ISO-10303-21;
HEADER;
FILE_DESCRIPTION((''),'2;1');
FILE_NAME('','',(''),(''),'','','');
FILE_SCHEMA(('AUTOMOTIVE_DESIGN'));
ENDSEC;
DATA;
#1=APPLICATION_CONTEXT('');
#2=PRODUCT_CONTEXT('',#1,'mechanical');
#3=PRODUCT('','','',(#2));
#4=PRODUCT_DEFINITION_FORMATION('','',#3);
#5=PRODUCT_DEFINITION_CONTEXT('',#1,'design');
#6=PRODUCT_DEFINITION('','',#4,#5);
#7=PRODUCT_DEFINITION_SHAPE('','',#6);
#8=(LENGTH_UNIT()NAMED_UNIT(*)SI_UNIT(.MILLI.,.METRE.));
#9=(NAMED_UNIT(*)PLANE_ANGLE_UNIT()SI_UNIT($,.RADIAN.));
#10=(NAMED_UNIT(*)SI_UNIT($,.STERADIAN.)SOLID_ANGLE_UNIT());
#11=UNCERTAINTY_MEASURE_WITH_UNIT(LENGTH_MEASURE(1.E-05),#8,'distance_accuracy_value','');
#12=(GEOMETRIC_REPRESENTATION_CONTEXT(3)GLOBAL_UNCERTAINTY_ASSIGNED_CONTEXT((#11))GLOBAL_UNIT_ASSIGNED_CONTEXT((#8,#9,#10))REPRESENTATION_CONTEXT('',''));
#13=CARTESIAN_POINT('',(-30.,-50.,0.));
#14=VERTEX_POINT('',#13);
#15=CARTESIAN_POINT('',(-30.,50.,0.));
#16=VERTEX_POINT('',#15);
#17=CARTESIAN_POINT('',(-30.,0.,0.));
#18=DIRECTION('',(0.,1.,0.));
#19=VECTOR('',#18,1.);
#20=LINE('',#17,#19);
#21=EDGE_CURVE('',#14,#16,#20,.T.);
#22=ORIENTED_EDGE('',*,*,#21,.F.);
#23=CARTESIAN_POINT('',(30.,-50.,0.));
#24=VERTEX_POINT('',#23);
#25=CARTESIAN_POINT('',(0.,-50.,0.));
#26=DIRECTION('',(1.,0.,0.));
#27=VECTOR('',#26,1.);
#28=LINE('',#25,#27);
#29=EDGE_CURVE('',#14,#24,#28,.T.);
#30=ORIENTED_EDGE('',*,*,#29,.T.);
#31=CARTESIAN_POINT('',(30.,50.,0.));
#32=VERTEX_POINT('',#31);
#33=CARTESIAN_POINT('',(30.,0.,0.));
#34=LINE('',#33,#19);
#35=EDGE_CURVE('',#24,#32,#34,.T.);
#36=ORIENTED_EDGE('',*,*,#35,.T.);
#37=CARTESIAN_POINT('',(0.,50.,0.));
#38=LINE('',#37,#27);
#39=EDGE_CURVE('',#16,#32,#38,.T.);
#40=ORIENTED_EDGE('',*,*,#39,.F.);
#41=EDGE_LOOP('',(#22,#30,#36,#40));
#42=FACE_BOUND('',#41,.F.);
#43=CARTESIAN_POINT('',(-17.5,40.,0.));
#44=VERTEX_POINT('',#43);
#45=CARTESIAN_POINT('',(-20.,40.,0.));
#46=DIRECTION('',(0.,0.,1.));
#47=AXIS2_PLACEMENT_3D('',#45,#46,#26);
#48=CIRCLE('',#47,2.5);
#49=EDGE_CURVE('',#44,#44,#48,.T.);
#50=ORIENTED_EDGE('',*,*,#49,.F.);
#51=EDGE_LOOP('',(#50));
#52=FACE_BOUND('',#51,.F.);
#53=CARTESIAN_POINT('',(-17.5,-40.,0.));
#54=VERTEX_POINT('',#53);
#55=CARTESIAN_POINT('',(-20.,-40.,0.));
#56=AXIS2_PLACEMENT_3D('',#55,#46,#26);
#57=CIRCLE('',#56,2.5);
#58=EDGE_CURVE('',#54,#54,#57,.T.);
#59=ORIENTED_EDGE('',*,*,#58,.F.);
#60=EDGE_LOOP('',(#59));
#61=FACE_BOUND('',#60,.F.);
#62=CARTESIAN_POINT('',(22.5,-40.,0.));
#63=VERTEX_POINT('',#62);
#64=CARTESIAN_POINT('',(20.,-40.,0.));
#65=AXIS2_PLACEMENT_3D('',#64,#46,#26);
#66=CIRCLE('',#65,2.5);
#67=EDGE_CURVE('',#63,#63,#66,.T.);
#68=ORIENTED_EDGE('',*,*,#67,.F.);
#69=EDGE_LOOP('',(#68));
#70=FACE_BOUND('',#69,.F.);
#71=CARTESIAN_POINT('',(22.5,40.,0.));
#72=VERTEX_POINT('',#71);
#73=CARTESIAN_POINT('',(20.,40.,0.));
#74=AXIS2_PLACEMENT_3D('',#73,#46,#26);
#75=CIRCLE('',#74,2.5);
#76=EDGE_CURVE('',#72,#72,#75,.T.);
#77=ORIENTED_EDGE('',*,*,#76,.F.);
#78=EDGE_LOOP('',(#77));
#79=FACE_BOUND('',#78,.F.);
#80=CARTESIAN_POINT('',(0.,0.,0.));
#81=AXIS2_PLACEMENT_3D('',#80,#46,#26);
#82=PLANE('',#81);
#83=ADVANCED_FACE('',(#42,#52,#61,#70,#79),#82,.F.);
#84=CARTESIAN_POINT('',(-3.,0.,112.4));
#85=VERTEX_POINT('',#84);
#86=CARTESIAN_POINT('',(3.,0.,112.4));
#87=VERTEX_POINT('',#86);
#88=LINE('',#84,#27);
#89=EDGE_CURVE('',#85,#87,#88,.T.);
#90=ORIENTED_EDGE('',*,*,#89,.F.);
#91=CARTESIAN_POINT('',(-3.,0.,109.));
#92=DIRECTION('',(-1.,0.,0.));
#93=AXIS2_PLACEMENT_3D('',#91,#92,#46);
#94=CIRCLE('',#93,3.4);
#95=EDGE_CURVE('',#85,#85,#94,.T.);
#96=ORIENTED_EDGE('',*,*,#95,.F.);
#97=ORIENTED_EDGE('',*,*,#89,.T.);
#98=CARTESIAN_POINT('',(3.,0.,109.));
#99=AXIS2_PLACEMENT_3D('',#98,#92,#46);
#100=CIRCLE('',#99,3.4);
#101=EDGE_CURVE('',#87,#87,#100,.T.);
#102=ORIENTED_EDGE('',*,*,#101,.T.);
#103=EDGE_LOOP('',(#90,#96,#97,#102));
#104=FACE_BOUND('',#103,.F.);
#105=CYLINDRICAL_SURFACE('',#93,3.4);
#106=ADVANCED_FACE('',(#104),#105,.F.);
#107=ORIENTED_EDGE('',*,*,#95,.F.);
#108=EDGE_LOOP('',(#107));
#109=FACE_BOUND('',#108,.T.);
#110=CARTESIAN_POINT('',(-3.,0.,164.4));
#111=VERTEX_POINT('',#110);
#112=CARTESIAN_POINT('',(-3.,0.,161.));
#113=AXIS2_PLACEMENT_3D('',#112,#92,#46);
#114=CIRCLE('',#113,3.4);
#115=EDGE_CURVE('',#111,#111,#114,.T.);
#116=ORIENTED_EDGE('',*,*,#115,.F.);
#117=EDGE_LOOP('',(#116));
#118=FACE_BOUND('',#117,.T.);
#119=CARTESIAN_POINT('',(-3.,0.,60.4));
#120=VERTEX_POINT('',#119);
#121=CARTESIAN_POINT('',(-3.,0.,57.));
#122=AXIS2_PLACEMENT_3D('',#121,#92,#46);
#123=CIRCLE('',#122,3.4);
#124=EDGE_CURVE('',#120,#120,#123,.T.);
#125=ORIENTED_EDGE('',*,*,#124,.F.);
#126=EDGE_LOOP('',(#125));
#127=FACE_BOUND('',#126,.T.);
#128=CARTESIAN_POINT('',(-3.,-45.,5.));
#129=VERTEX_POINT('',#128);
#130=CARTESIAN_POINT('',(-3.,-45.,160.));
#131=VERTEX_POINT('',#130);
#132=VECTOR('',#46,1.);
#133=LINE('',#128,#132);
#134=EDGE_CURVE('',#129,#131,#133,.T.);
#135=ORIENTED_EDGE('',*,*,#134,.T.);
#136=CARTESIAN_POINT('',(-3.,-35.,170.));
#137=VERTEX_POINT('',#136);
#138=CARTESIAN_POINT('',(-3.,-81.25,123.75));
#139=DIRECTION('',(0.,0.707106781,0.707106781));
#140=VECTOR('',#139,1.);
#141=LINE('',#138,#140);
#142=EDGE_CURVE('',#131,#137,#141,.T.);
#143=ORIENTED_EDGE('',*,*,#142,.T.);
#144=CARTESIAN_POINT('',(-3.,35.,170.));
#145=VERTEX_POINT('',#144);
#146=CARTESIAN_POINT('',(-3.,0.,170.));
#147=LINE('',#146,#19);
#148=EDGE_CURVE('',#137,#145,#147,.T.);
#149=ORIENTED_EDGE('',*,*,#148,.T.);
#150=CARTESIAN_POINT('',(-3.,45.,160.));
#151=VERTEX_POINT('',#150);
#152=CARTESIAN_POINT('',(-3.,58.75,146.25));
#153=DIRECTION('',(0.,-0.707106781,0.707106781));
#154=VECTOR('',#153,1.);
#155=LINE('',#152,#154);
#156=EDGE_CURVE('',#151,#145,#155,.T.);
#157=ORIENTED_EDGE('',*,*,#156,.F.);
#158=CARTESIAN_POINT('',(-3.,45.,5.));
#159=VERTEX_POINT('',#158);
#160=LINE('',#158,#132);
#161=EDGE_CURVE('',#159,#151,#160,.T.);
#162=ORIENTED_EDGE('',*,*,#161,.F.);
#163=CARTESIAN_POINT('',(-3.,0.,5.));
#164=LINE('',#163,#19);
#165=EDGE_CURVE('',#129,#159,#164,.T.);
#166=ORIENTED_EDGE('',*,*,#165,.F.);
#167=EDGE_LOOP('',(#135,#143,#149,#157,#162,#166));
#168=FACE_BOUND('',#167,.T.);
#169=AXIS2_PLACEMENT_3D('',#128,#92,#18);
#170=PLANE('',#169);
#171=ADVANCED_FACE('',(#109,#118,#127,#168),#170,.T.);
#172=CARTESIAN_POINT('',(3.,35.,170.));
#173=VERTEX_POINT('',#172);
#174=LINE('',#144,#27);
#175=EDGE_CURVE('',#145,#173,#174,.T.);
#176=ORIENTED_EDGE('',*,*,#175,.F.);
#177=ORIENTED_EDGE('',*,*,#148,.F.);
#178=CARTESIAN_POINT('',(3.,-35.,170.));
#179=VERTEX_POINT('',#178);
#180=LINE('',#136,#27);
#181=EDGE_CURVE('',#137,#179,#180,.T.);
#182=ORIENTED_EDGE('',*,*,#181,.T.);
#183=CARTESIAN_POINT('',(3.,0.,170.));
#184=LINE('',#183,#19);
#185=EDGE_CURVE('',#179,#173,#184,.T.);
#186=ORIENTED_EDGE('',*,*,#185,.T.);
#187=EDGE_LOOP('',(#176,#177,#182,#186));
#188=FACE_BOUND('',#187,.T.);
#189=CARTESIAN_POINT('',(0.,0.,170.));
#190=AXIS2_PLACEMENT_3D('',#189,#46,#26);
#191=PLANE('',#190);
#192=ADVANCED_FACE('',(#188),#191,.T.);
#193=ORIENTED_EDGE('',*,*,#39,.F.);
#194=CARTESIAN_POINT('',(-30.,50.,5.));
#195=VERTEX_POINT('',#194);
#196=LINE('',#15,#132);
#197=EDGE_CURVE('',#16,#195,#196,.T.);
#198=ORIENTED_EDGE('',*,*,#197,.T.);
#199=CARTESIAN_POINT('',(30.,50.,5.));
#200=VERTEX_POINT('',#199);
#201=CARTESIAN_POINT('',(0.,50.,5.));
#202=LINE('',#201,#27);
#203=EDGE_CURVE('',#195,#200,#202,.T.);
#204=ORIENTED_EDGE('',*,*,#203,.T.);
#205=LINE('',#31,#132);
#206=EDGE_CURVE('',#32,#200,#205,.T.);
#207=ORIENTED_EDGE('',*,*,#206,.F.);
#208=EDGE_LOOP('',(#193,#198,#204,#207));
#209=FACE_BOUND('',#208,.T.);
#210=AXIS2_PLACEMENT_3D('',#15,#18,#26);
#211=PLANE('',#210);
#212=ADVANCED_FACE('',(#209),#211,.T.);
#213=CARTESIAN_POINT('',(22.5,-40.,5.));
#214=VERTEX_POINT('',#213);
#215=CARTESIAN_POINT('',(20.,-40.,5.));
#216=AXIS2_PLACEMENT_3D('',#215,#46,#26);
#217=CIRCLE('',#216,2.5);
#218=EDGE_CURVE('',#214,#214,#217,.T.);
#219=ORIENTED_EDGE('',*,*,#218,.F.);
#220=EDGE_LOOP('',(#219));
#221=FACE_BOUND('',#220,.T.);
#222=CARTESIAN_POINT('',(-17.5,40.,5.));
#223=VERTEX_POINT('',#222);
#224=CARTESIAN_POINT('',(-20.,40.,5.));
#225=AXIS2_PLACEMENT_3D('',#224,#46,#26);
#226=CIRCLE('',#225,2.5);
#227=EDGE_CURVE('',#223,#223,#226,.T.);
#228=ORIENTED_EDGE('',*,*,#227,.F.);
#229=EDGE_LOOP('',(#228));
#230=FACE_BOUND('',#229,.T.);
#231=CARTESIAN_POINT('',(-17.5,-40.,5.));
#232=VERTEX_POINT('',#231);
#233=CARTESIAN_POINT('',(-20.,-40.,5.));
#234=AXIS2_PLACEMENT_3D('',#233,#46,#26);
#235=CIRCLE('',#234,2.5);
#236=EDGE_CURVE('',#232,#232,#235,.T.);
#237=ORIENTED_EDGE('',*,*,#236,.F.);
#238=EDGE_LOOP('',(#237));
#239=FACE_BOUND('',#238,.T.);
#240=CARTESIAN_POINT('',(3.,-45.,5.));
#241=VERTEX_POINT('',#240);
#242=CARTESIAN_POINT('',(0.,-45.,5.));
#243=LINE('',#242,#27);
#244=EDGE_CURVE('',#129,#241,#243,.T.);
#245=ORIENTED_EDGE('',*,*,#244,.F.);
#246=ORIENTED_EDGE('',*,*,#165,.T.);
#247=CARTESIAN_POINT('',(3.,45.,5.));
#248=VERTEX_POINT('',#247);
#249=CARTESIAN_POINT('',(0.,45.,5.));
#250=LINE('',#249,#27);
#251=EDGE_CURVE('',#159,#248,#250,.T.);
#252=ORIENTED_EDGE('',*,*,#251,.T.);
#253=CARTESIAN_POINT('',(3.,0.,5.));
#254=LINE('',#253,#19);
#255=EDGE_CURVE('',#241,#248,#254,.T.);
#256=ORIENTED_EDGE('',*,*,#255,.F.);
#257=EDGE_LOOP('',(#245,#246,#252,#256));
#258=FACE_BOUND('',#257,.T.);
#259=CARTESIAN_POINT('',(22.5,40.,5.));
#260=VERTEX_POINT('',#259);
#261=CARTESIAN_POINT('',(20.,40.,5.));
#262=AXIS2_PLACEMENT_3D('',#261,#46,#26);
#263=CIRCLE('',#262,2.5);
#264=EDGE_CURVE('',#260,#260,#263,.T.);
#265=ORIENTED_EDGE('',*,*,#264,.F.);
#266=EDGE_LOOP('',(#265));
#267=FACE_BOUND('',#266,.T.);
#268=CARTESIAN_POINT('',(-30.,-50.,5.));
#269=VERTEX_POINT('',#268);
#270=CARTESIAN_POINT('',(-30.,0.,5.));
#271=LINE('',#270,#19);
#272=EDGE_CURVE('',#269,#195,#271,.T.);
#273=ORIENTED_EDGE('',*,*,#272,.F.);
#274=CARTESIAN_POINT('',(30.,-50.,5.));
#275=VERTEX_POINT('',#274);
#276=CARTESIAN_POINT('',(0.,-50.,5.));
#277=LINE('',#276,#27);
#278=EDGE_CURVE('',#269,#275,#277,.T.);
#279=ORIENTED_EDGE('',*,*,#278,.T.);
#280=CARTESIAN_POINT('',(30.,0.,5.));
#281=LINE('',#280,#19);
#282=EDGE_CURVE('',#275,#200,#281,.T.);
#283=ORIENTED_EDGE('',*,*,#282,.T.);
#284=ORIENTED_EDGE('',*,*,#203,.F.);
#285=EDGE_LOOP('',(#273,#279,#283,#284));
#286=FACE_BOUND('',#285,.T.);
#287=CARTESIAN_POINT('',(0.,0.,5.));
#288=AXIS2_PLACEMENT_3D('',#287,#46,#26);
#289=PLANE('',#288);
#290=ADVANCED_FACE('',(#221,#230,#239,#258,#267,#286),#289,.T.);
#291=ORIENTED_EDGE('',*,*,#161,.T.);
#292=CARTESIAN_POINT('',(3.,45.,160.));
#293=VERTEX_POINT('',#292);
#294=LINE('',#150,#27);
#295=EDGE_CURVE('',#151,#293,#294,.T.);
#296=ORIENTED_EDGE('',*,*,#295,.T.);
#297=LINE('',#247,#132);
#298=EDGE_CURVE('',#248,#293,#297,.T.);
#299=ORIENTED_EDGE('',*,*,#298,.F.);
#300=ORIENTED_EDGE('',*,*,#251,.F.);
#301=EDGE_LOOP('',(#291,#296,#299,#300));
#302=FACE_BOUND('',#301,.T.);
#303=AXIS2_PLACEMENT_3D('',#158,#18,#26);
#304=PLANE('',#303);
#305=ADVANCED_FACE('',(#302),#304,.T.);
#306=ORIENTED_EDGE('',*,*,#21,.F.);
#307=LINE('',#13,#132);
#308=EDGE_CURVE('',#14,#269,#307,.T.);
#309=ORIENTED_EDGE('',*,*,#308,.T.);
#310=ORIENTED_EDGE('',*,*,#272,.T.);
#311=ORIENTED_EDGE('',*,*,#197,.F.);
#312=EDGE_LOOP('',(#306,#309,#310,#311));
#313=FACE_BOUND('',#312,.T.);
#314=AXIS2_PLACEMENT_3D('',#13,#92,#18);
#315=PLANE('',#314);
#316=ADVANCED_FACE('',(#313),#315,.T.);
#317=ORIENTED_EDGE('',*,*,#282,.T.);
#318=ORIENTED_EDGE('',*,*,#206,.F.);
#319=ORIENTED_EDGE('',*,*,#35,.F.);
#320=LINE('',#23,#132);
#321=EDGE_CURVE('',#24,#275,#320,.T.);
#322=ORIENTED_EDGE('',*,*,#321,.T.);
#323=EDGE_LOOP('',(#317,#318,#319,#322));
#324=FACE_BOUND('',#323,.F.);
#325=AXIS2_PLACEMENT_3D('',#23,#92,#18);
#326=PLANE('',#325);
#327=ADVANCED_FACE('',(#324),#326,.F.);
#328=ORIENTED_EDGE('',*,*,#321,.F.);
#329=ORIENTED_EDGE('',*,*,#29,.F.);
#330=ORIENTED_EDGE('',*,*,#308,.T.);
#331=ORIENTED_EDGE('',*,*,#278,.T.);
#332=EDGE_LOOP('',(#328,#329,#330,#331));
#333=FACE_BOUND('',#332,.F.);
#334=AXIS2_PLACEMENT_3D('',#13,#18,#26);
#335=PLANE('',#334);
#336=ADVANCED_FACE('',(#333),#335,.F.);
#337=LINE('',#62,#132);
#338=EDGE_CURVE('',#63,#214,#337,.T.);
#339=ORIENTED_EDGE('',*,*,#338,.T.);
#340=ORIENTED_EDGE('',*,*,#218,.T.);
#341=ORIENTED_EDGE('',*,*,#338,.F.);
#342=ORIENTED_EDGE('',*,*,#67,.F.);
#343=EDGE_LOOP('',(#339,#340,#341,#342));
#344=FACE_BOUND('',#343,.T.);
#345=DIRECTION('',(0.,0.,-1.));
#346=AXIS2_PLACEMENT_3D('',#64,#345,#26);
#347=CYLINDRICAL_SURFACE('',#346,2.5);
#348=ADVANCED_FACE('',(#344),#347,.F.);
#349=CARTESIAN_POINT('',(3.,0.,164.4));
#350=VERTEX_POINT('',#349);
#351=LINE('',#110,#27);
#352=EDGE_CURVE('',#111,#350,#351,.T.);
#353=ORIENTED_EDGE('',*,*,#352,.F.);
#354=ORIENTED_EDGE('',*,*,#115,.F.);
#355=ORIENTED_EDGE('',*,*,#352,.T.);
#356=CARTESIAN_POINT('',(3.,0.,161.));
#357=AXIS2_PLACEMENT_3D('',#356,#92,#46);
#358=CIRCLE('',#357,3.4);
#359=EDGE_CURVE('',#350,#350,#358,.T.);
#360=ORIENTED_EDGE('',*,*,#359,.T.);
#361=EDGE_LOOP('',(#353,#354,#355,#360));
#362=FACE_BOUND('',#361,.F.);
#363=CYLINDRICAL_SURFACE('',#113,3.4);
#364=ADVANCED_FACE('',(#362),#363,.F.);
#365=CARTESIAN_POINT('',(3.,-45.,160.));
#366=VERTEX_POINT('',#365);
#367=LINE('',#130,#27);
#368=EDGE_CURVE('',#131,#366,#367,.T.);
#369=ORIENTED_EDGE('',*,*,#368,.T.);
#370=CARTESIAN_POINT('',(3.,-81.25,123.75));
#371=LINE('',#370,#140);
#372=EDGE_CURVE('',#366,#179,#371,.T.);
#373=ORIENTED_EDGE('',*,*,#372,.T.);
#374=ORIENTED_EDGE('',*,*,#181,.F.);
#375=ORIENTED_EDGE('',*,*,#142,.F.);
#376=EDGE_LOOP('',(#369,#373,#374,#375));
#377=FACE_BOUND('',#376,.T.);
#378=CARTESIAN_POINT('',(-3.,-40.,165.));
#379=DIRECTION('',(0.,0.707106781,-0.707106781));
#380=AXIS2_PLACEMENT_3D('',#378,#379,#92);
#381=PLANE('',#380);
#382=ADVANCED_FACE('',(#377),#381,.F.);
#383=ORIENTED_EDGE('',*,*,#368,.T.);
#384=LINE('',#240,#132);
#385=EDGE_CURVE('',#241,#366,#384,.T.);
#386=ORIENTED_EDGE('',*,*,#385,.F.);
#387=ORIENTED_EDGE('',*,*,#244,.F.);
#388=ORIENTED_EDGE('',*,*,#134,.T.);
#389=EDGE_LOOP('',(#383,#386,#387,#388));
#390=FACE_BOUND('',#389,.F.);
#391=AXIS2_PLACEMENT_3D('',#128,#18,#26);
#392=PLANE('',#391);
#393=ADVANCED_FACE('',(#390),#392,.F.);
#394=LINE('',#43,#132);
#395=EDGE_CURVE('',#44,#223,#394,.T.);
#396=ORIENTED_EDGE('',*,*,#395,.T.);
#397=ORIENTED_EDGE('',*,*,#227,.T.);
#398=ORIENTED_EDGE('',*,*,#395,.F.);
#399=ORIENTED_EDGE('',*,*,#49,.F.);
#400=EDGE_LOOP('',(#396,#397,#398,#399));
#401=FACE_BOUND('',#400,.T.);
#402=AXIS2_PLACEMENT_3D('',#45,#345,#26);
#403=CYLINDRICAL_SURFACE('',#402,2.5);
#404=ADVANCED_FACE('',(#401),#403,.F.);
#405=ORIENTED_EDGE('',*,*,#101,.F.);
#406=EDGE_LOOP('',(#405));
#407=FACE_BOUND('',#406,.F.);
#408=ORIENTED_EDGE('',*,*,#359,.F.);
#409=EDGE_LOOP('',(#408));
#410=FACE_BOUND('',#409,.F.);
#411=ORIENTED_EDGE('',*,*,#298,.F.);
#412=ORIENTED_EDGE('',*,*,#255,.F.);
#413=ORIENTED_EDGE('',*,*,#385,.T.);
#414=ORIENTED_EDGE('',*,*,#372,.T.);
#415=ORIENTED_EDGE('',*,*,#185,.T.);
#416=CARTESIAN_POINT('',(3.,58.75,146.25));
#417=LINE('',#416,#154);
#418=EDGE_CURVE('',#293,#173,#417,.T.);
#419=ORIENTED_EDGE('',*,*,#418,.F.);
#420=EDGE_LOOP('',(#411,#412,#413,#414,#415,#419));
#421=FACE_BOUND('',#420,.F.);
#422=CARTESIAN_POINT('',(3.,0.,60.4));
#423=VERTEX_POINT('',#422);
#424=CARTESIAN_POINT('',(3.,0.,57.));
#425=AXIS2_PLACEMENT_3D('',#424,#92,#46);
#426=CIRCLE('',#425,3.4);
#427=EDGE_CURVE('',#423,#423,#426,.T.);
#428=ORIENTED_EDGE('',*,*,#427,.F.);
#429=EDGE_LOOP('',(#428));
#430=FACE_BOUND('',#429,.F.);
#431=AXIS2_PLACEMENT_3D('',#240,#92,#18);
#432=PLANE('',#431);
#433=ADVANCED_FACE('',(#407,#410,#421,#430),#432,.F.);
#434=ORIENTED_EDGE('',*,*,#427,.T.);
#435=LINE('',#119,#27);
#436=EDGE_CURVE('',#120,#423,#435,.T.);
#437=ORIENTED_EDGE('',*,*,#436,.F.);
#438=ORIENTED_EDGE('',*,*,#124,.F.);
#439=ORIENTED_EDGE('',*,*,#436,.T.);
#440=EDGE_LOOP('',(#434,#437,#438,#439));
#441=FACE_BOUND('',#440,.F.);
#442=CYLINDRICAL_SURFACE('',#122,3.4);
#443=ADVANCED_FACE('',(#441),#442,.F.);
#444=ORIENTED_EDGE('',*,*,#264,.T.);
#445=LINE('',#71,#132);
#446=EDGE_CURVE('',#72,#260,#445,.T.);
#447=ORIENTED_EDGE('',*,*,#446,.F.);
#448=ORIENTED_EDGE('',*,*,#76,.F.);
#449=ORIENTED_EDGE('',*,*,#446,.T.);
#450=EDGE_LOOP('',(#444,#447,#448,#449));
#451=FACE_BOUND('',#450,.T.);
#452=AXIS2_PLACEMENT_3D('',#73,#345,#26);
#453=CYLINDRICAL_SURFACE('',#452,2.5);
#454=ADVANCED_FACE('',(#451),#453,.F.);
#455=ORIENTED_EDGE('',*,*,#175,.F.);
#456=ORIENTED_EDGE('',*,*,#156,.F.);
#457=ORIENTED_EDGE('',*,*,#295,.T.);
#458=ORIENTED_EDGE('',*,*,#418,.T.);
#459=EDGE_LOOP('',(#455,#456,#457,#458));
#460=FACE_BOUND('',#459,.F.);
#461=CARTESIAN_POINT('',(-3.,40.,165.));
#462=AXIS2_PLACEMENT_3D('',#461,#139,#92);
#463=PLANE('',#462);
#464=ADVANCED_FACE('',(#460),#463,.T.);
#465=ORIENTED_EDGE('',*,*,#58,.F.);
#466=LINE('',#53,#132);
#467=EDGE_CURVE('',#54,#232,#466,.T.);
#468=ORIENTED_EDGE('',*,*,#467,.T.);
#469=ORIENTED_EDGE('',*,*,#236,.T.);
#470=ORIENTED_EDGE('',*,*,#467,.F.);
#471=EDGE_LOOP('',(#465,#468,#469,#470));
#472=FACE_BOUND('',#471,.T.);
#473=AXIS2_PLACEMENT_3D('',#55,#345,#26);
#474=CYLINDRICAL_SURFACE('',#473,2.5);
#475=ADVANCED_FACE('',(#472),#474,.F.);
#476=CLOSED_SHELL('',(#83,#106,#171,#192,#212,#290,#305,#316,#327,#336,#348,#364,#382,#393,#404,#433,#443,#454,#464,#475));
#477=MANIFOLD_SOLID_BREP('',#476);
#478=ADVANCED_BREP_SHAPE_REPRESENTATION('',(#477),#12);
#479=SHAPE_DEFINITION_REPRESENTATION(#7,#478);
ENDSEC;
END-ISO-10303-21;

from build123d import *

# Parameters (mm, degrees)
SKETCH1_W           = 60
SKETCH1_H           = 100
SKETCH1_R           = 2.5
BOSS_EXTRUDE1_DEPTH = 5
SKETCH2_W           = 6
SKETCH2_H           = 90
BOSS_EXTRUDE2_DEPTH = 165
CHAMFER1_SIZE       = 10
SKETCH3_R           = 3.4
CUT_EXTRUDE1_DEPTH  = 165


with BuildPart() as part:
    # Sketch1 → Boss-Extrude1 (new body)
    with BuildSketch(Plane.XY):
        Rectangle(SKETCH1_W, SKETCH1_H)
        with Locations((-20, 40)):
            Circle(SKETCH1_R, mode=Mode.SUBTRACT)
        with Locations((20, 40)):
            Circle(SKETCH1_R, mode=Mode.SUBTRACT)
        with Locations((20, -40)):
            Circle(SKETCH1_R, mode=Mode.SUBTRACT)
        with Locations((-20, -40)):
            Circle(SKETCH1_R, mode=Mode.SUBTRACT)
    extrude(amount=BOSS_EXTRUDE1_DEPTH)

    # Sketch2 → Boss-Extrude2 (add)
    with BuildSketch(Plane.XY.offset(5)):
        Rectangle(SKETCH2_W, SKETCH2_H)
    extrude(amount=BOSS_EXTRUDE2_DEPTH)

    # Chamfer1
    chamfer1_edges = [part.edges().sort_by_distance(p)[0] for p in [
        (0, 45, 170),
        (0, -45, 170),
    ]]
    chamfer(chamfer1_edges, length=CHAMFER1_SIZE)

    # Sketch3 → Cut-Extrude1 (cut)
    with BuildSketch(Plane.ZY.offset(3)):
        with Locations((161, 0)):
            Circle(SKETCH3_R)
        with Locations((109, 0)):
            Circle(SKETCH3_R)
        with Locations((57, 0)):
            Circle(SKETCH3_R)
    extrude(amount=-CUT_EXTRUDE1_DEPTH, mode=Mode.SUBTRACT)


solid = part.part
